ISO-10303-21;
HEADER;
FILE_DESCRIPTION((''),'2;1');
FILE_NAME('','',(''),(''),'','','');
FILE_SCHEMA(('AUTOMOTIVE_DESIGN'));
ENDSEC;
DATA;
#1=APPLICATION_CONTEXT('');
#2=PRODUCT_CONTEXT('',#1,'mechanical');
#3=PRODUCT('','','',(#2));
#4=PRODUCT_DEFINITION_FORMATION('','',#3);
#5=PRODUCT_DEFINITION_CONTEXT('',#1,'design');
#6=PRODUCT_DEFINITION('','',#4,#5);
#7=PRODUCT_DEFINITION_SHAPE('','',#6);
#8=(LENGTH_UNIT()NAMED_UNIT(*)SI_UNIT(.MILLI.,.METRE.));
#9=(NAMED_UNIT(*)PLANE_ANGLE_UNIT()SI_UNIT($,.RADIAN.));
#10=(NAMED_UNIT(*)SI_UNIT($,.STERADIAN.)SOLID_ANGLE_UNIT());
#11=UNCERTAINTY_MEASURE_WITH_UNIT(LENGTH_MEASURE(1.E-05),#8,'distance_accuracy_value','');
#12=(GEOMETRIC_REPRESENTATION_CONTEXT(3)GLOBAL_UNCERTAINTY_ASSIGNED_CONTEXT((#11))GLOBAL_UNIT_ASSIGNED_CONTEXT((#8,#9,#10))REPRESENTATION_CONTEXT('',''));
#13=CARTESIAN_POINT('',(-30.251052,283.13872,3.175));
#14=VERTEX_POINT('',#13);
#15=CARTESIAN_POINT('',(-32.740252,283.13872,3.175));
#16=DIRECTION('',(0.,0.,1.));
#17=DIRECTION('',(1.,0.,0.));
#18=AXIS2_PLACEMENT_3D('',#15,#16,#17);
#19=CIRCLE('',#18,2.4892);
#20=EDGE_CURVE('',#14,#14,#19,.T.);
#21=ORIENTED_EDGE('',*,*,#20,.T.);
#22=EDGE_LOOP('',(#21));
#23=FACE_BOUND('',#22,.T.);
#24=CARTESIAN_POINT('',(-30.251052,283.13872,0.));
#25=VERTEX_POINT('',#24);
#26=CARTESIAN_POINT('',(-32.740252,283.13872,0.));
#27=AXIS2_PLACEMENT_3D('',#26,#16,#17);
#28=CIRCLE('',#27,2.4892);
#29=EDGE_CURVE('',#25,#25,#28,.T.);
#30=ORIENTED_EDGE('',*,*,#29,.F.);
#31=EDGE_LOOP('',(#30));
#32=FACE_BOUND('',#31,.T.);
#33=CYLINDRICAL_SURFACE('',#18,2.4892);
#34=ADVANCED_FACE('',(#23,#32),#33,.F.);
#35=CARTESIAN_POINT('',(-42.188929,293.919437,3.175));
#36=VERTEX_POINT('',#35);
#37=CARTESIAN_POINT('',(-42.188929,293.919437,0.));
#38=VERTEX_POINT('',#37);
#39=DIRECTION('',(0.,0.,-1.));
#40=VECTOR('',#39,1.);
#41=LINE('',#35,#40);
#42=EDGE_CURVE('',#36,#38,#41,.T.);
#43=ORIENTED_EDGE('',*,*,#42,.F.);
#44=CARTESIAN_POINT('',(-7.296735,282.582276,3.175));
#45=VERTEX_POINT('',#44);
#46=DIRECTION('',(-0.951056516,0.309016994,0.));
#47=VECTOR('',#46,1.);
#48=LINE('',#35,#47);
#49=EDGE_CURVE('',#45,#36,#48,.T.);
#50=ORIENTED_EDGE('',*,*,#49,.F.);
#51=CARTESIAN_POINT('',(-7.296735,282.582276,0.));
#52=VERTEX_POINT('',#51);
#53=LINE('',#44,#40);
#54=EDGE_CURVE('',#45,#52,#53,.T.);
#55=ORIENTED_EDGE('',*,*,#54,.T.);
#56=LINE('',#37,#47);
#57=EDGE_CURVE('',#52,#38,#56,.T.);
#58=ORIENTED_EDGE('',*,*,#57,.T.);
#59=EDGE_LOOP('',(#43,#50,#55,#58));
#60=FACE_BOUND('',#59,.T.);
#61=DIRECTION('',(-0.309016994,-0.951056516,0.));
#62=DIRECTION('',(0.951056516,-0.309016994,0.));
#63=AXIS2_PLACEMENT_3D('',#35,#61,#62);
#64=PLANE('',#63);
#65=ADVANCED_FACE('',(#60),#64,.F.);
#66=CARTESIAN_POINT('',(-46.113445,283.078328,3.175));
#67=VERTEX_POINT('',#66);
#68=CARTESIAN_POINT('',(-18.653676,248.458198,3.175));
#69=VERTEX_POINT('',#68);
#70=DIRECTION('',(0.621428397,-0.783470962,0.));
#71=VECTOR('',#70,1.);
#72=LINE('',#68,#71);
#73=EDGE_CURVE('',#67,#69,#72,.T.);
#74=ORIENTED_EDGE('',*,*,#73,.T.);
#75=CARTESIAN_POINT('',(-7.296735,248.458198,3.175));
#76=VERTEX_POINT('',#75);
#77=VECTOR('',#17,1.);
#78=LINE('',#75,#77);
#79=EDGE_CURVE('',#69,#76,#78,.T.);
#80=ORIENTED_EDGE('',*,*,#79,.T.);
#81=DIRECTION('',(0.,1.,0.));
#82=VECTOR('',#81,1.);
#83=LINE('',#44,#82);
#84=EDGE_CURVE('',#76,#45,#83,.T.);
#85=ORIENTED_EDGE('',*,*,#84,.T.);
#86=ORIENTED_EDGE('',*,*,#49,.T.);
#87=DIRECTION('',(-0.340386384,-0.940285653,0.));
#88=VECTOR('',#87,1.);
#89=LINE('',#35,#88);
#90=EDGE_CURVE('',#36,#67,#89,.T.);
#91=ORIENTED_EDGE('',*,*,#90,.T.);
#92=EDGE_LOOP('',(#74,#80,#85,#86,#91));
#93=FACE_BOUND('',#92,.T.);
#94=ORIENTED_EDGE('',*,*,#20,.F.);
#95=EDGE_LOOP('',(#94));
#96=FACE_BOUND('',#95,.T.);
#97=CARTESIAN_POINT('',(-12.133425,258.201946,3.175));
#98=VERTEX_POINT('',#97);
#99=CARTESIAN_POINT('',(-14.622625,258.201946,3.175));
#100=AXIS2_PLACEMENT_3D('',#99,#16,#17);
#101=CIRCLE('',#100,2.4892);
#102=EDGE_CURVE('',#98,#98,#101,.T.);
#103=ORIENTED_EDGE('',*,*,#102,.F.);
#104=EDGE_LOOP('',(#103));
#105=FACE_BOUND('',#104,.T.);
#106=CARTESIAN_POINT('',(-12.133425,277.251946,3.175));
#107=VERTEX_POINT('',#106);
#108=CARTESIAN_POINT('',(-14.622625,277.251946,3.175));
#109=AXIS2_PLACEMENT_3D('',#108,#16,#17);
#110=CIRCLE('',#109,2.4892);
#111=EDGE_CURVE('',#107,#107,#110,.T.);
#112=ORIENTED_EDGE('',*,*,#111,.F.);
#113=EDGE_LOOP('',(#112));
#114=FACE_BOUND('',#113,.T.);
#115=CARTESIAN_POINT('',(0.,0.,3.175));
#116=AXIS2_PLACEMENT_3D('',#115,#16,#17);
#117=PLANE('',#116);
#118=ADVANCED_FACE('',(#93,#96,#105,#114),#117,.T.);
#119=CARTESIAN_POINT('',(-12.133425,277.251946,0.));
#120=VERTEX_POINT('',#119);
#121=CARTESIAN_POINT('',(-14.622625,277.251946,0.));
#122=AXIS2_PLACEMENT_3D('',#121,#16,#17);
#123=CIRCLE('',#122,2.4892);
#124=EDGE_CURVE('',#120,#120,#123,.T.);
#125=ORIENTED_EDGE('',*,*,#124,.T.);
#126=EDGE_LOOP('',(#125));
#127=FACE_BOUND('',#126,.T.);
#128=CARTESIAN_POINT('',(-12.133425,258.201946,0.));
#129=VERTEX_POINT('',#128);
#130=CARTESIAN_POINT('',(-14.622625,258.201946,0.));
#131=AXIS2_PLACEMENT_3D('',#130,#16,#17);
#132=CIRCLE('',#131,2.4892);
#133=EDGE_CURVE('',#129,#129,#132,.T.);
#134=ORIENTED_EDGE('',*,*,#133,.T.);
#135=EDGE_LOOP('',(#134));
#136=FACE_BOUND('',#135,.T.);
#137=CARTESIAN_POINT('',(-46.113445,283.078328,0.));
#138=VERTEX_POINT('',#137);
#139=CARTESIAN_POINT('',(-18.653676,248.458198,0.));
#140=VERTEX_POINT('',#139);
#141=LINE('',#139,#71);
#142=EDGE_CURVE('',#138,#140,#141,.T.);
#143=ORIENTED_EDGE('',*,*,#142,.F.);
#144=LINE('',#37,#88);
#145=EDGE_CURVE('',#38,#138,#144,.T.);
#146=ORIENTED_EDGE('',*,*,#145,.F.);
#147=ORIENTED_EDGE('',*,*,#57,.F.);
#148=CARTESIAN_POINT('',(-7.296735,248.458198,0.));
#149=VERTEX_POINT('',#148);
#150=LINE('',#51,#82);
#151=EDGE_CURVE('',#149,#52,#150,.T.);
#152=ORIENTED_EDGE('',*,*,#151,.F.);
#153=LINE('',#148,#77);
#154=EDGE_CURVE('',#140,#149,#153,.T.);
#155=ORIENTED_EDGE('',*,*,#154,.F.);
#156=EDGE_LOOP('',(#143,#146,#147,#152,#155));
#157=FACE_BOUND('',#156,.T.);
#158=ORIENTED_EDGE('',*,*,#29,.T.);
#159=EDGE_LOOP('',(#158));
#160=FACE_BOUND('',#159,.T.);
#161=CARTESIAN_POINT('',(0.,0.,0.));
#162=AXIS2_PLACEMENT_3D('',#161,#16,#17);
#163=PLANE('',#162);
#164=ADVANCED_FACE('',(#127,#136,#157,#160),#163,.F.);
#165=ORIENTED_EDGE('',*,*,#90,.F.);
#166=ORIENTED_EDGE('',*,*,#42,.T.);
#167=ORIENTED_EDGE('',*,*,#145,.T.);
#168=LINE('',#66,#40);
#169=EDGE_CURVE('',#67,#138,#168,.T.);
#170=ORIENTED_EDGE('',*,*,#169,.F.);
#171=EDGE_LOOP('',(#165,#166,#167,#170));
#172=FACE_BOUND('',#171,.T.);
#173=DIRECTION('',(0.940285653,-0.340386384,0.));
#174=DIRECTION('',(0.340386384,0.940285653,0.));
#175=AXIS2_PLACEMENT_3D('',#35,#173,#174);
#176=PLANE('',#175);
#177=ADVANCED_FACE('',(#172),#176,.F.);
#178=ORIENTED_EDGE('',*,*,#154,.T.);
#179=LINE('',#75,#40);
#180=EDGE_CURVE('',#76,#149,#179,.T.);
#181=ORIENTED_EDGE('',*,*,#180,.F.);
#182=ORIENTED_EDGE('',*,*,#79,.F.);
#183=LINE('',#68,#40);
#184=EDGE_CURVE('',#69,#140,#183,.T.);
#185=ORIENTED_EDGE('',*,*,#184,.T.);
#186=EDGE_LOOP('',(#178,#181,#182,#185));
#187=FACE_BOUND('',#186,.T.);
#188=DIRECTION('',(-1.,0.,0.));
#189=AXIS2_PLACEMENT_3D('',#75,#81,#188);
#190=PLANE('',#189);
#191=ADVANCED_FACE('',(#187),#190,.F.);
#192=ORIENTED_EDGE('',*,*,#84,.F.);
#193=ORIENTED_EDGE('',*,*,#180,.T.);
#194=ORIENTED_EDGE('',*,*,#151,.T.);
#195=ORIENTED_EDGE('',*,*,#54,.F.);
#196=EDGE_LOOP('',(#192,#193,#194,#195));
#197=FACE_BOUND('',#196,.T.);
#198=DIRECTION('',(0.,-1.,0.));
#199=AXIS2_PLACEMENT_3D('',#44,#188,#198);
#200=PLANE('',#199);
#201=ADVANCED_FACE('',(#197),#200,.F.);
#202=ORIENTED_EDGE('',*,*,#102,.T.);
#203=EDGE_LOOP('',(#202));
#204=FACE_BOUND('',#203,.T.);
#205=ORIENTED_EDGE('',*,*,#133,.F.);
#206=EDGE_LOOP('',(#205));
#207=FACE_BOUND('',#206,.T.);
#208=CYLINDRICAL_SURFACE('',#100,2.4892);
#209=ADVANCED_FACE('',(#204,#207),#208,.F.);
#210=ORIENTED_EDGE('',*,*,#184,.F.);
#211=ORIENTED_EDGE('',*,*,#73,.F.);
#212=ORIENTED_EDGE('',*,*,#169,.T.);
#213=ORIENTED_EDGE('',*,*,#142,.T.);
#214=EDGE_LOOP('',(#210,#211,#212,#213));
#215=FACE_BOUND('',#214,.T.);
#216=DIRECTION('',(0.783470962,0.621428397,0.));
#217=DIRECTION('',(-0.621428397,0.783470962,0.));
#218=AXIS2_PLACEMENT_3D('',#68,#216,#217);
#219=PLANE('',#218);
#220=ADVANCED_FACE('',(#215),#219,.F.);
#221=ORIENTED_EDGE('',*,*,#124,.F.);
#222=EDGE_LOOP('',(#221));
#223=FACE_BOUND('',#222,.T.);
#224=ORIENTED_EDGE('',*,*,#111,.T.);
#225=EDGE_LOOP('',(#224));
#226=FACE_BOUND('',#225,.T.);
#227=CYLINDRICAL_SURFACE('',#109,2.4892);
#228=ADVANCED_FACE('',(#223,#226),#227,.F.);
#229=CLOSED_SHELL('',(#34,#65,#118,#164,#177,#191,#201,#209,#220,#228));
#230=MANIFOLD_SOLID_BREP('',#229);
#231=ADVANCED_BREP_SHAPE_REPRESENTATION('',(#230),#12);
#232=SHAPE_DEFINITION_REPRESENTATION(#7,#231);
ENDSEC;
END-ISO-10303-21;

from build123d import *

# Parameters (mm, degrees)
BOSS_EXTRUDE1_DEPTH    = 3.175
F_10_CLEARANCE_HOLE1_D = 4.9784


with BuildPart() as part:
    # Sketch4 → Boss-Extrude1 (new body)
    with BuildSketch(Plane.XY):
        Polygon((-42.188928966, 293.919436917), (-7.296735047, 282.582275868), (-7.296735047, 248.458198081), (-18.653675695, 248.458198081), (-46.113444794, 283.07832781), align=None)
    extrude(amount=BOSS_EXTRUDE1_DEPTH)

    # #10 Clearance Hole1 (through all)
    with Locations(Plane.XY.offset(3.175)):
        with Locations((-32.740251946, 283.138719963), (-14.622625311, 277.25194622), (-14.622625311, 258.20194622)):
            Hole(F_10_CLEARANCE_HOLE1_D / 2)


solid = part.part
